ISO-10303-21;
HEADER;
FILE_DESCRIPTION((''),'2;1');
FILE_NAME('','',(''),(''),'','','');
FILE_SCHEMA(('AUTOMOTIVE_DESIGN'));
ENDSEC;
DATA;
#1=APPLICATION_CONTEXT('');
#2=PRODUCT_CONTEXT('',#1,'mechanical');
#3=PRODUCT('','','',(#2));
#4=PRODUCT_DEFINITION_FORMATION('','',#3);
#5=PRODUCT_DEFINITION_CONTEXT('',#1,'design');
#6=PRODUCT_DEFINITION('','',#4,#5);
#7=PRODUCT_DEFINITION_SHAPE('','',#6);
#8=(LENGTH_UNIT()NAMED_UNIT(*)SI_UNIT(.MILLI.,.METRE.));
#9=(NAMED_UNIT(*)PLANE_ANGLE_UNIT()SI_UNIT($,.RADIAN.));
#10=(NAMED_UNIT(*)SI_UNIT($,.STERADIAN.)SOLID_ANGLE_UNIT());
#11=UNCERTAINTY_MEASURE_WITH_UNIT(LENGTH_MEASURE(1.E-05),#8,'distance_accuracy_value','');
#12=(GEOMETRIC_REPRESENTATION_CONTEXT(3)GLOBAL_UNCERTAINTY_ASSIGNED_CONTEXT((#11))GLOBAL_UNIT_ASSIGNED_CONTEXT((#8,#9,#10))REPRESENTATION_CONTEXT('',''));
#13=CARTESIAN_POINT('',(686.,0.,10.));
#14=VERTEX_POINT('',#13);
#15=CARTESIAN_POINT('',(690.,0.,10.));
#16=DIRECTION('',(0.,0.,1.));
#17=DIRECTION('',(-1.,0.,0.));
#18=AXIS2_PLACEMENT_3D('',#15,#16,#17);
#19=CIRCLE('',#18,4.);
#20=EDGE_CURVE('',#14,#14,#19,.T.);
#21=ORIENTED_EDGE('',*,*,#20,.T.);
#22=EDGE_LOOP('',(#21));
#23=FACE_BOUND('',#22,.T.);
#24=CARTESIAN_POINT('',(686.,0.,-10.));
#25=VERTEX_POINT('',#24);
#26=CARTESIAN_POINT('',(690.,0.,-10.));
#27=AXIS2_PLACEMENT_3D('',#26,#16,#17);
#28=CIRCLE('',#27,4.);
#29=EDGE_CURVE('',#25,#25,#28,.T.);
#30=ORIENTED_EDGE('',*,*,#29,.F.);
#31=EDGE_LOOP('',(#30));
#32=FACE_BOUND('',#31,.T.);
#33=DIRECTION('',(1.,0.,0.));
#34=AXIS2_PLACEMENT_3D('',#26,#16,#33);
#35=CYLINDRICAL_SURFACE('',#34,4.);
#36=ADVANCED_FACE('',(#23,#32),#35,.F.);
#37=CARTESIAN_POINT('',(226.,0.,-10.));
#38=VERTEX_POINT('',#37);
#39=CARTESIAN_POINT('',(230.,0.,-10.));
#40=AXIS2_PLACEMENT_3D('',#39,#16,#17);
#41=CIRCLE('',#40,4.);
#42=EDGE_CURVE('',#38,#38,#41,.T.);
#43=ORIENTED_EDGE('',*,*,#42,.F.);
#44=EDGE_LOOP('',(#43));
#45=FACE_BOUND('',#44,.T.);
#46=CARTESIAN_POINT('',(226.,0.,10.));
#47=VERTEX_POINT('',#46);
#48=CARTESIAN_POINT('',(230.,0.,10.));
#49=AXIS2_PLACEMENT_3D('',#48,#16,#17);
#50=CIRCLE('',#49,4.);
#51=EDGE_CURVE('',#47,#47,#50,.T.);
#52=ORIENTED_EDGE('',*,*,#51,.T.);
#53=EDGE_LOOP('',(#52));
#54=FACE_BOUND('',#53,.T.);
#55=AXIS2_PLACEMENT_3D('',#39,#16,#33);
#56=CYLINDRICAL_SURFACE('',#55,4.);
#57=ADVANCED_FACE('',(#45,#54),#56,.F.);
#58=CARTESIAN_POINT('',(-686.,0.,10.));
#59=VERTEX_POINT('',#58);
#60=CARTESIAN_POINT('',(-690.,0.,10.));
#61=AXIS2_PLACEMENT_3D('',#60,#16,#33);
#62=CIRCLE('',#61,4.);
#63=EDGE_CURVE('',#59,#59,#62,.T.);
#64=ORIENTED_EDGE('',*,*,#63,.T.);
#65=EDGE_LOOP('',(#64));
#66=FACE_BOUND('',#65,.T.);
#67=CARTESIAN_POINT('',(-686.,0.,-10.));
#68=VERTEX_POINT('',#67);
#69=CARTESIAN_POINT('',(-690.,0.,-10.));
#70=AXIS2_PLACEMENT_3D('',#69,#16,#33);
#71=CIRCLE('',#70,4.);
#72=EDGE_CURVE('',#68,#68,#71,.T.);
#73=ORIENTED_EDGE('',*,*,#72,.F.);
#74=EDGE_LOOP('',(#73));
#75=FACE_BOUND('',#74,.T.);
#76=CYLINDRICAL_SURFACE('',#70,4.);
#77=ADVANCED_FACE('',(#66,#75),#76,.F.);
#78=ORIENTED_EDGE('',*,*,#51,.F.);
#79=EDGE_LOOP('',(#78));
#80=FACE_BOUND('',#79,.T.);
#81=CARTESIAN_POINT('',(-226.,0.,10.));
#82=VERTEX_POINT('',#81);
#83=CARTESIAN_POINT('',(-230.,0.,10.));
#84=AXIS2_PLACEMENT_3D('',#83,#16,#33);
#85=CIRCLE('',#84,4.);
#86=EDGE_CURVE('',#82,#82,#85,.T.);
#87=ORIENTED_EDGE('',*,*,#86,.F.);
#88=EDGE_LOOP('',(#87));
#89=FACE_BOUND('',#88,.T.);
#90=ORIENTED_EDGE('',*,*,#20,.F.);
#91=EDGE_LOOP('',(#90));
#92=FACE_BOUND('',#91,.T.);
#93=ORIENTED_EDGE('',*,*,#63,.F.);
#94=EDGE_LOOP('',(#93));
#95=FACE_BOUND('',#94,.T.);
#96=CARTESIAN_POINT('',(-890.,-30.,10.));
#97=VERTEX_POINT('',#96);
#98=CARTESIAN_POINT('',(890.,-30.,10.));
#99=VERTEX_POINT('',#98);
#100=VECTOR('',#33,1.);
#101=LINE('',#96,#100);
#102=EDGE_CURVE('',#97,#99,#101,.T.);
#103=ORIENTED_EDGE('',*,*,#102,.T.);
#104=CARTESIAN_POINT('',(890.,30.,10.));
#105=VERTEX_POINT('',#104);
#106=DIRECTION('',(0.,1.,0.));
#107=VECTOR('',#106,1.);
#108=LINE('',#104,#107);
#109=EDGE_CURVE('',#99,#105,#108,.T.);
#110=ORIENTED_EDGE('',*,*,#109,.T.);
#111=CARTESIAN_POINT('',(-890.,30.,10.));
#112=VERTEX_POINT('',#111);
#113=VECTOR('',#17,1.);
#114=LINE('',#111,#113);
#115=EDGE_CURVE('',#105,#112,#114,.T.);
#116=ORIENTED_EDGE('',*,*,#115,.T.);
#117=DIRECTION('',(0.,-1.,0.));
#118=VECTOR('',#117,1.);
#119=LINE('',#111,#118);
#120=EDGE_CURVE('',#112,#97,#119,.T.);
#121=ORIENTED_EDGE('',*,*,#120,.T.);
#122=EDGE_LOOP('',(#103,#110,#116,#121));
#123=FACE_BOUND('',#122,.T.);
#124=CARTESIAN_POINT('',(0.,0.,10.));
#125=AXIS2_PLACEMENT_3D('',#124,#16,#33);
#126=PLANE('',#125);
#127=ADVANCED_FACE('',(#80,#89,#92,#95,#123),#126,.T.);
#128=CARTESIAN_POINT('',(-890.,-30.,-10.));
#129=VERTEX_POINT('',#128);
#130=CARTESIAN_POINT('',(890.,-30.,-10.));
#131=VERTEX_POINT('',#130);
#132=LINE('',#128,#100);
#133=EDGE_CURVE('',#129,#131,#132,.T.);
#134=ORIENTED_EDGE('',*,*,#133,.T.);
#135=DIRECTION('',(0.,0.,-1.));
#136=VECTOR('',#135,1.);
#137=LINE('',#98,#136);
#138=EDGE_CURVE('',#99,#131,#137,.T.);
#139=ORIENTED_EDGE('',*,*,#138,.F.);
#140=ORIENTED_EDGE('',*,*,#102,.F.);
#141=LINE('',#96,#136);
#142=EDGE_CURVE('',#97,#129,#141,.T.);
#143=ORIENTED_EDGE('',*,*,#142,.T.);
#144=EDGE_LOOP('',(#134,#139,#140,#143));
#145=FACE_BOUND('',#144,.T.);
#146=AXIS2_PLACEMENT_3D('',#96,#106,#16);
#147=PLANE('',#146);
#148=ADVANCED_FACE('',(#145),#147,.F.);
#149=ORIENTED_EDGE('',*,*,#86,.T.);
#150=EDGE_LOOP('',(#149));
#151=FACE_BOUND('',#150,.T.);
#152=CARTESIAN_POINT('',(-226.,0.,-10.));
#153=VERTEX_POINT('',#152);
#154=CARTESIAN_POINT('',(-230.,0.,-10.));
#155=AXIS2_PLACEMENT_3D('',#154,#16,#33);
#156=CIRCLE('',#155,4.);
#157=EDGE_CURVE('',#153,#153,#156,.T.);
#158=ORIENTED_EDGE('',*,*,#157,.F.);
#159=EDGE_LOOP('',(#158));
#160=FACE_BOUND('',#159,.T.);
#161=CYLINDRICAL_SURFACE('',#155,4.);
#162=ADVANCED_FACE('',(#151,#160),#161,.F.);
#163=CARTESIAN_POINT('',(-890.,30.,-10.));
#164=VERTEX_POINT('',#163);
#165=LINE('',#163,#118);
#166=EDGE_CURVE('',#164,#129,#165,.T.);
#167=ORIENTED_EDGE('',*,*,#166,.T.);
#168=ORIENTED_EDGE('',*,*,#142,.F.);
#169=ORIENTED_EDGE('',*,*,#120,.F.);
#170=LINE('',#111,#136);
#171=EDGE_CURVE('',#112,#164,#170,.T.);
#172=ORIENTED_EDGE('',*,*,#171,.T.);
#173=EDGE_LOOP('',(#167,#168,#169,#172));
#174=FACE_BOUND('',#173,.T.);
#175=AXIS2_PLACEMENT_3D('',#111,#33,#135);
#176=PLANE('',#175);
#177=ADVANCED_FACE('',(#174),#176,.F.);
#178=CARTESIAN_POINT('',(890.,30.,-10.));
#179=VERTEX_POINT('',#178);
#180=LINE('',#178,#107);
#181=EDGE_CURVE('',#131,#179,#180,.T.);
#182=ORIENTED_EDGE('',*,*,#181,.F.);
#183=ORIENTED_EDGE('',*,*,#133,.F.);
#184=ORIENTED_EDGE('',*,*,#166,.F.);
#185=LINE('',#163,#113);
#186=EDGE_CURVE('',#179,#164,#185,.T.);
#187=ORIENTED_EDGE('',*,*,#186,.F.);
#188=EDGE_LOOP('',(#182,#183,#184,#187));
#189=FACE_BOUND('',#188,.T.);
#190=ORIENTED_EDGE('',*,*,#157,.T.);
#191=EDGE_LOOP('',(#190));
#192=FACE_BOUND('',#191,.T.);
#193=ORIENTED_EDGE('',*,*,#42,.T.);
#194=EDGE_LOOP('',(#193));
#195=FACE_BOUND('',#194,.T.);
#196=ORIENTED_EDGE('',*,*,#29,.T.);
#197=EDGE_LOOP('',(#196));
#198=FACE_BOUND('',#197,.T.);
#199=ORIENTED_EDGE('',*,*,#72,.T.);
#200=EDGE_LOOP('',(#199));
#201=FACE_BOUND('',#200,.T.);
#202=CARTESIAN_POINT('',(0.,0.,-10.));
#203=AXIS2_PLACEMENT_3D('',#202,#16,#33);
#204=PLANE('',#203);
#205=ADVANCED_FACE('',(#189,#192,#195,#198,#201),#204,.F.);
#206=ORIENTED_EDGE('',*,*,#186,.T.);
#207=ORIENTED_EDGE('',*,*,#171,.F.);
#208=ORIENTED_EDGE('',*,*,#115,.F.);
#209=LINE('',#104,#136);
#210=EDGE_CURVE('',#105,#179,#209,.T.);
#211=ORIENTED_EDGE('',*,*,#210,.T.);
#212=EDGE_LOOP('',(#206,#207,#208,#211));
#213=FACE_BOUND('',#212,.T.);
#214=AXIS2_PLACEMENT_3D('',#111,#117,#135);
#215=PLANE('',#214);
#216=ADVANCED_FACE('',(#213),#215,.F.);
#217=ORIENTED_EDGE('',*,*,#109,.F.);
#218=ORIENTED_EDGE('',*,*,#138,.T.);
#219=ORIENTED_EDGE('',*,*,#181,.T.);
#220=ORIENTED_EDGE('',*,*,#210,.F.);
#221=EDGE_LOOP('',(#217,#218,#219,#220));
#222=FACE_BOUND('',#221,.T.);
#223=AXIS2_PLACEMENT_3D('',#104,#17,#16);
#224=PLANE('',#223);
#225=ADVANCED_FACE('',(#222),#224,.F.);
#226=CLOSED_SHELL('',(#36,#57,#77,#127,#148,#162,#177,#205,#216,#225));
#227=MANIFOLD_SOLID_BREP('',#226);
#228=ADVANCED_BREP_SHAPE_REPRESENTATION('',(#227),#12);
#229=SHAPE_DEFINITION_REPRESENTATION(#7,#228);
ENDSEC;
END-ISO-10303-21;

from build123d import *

# Parameters (mm, degrees)
SKETCH_1_W               = 1780
SKETCH_1_H               = 60
EXTRUDE_1_DEPTH          = 10
CUT_EXTRUDE_1_DEPTH      = 891.561620552
CUT_EXTRUDE_1_DEPTH_BACK = 891.561620552
SKETCH_2_R               = 4


with BuildPart() as part:
    # Эскиз1 → Бобышка-Вытянуть1 (new, symmetric)
    with BuildSketch(Plane.XY):
        Rectangle(SKETCH_1_W, SKETCH_1_H)
    extrude(amount=EXTRUDE_1_DEPTH, both=True)

    # Эскиз2 → Вырез-Вытянуть1 (cut, two sides: drawn at the far end of the back side and taken through both)
    with BuildSketch(Plane.XY.offset(-CUT_EXTRUDE_1_DEPTH_BACK)):
        with Locations((-690, 0)):
            Circle(SKETCH_2_R)
        with Locations((-230, 0)):
            Circle(SKETCH_2_R)
        with Locations(Location((230, 0, 0), (0, 0, 180))):
            Circle(SKETCH_2_R)
        with Locations(Location((690, 0, 0), (0, 0, 180))):
            Circle(SKETCH_2_R)
    extrude(amount=CUT_EXTRUDE_1_DEPTH + CUT_EXTRUDE_1_DEPTH_BACK, mode=Mode.SUBTRACT)


solid = part.part
